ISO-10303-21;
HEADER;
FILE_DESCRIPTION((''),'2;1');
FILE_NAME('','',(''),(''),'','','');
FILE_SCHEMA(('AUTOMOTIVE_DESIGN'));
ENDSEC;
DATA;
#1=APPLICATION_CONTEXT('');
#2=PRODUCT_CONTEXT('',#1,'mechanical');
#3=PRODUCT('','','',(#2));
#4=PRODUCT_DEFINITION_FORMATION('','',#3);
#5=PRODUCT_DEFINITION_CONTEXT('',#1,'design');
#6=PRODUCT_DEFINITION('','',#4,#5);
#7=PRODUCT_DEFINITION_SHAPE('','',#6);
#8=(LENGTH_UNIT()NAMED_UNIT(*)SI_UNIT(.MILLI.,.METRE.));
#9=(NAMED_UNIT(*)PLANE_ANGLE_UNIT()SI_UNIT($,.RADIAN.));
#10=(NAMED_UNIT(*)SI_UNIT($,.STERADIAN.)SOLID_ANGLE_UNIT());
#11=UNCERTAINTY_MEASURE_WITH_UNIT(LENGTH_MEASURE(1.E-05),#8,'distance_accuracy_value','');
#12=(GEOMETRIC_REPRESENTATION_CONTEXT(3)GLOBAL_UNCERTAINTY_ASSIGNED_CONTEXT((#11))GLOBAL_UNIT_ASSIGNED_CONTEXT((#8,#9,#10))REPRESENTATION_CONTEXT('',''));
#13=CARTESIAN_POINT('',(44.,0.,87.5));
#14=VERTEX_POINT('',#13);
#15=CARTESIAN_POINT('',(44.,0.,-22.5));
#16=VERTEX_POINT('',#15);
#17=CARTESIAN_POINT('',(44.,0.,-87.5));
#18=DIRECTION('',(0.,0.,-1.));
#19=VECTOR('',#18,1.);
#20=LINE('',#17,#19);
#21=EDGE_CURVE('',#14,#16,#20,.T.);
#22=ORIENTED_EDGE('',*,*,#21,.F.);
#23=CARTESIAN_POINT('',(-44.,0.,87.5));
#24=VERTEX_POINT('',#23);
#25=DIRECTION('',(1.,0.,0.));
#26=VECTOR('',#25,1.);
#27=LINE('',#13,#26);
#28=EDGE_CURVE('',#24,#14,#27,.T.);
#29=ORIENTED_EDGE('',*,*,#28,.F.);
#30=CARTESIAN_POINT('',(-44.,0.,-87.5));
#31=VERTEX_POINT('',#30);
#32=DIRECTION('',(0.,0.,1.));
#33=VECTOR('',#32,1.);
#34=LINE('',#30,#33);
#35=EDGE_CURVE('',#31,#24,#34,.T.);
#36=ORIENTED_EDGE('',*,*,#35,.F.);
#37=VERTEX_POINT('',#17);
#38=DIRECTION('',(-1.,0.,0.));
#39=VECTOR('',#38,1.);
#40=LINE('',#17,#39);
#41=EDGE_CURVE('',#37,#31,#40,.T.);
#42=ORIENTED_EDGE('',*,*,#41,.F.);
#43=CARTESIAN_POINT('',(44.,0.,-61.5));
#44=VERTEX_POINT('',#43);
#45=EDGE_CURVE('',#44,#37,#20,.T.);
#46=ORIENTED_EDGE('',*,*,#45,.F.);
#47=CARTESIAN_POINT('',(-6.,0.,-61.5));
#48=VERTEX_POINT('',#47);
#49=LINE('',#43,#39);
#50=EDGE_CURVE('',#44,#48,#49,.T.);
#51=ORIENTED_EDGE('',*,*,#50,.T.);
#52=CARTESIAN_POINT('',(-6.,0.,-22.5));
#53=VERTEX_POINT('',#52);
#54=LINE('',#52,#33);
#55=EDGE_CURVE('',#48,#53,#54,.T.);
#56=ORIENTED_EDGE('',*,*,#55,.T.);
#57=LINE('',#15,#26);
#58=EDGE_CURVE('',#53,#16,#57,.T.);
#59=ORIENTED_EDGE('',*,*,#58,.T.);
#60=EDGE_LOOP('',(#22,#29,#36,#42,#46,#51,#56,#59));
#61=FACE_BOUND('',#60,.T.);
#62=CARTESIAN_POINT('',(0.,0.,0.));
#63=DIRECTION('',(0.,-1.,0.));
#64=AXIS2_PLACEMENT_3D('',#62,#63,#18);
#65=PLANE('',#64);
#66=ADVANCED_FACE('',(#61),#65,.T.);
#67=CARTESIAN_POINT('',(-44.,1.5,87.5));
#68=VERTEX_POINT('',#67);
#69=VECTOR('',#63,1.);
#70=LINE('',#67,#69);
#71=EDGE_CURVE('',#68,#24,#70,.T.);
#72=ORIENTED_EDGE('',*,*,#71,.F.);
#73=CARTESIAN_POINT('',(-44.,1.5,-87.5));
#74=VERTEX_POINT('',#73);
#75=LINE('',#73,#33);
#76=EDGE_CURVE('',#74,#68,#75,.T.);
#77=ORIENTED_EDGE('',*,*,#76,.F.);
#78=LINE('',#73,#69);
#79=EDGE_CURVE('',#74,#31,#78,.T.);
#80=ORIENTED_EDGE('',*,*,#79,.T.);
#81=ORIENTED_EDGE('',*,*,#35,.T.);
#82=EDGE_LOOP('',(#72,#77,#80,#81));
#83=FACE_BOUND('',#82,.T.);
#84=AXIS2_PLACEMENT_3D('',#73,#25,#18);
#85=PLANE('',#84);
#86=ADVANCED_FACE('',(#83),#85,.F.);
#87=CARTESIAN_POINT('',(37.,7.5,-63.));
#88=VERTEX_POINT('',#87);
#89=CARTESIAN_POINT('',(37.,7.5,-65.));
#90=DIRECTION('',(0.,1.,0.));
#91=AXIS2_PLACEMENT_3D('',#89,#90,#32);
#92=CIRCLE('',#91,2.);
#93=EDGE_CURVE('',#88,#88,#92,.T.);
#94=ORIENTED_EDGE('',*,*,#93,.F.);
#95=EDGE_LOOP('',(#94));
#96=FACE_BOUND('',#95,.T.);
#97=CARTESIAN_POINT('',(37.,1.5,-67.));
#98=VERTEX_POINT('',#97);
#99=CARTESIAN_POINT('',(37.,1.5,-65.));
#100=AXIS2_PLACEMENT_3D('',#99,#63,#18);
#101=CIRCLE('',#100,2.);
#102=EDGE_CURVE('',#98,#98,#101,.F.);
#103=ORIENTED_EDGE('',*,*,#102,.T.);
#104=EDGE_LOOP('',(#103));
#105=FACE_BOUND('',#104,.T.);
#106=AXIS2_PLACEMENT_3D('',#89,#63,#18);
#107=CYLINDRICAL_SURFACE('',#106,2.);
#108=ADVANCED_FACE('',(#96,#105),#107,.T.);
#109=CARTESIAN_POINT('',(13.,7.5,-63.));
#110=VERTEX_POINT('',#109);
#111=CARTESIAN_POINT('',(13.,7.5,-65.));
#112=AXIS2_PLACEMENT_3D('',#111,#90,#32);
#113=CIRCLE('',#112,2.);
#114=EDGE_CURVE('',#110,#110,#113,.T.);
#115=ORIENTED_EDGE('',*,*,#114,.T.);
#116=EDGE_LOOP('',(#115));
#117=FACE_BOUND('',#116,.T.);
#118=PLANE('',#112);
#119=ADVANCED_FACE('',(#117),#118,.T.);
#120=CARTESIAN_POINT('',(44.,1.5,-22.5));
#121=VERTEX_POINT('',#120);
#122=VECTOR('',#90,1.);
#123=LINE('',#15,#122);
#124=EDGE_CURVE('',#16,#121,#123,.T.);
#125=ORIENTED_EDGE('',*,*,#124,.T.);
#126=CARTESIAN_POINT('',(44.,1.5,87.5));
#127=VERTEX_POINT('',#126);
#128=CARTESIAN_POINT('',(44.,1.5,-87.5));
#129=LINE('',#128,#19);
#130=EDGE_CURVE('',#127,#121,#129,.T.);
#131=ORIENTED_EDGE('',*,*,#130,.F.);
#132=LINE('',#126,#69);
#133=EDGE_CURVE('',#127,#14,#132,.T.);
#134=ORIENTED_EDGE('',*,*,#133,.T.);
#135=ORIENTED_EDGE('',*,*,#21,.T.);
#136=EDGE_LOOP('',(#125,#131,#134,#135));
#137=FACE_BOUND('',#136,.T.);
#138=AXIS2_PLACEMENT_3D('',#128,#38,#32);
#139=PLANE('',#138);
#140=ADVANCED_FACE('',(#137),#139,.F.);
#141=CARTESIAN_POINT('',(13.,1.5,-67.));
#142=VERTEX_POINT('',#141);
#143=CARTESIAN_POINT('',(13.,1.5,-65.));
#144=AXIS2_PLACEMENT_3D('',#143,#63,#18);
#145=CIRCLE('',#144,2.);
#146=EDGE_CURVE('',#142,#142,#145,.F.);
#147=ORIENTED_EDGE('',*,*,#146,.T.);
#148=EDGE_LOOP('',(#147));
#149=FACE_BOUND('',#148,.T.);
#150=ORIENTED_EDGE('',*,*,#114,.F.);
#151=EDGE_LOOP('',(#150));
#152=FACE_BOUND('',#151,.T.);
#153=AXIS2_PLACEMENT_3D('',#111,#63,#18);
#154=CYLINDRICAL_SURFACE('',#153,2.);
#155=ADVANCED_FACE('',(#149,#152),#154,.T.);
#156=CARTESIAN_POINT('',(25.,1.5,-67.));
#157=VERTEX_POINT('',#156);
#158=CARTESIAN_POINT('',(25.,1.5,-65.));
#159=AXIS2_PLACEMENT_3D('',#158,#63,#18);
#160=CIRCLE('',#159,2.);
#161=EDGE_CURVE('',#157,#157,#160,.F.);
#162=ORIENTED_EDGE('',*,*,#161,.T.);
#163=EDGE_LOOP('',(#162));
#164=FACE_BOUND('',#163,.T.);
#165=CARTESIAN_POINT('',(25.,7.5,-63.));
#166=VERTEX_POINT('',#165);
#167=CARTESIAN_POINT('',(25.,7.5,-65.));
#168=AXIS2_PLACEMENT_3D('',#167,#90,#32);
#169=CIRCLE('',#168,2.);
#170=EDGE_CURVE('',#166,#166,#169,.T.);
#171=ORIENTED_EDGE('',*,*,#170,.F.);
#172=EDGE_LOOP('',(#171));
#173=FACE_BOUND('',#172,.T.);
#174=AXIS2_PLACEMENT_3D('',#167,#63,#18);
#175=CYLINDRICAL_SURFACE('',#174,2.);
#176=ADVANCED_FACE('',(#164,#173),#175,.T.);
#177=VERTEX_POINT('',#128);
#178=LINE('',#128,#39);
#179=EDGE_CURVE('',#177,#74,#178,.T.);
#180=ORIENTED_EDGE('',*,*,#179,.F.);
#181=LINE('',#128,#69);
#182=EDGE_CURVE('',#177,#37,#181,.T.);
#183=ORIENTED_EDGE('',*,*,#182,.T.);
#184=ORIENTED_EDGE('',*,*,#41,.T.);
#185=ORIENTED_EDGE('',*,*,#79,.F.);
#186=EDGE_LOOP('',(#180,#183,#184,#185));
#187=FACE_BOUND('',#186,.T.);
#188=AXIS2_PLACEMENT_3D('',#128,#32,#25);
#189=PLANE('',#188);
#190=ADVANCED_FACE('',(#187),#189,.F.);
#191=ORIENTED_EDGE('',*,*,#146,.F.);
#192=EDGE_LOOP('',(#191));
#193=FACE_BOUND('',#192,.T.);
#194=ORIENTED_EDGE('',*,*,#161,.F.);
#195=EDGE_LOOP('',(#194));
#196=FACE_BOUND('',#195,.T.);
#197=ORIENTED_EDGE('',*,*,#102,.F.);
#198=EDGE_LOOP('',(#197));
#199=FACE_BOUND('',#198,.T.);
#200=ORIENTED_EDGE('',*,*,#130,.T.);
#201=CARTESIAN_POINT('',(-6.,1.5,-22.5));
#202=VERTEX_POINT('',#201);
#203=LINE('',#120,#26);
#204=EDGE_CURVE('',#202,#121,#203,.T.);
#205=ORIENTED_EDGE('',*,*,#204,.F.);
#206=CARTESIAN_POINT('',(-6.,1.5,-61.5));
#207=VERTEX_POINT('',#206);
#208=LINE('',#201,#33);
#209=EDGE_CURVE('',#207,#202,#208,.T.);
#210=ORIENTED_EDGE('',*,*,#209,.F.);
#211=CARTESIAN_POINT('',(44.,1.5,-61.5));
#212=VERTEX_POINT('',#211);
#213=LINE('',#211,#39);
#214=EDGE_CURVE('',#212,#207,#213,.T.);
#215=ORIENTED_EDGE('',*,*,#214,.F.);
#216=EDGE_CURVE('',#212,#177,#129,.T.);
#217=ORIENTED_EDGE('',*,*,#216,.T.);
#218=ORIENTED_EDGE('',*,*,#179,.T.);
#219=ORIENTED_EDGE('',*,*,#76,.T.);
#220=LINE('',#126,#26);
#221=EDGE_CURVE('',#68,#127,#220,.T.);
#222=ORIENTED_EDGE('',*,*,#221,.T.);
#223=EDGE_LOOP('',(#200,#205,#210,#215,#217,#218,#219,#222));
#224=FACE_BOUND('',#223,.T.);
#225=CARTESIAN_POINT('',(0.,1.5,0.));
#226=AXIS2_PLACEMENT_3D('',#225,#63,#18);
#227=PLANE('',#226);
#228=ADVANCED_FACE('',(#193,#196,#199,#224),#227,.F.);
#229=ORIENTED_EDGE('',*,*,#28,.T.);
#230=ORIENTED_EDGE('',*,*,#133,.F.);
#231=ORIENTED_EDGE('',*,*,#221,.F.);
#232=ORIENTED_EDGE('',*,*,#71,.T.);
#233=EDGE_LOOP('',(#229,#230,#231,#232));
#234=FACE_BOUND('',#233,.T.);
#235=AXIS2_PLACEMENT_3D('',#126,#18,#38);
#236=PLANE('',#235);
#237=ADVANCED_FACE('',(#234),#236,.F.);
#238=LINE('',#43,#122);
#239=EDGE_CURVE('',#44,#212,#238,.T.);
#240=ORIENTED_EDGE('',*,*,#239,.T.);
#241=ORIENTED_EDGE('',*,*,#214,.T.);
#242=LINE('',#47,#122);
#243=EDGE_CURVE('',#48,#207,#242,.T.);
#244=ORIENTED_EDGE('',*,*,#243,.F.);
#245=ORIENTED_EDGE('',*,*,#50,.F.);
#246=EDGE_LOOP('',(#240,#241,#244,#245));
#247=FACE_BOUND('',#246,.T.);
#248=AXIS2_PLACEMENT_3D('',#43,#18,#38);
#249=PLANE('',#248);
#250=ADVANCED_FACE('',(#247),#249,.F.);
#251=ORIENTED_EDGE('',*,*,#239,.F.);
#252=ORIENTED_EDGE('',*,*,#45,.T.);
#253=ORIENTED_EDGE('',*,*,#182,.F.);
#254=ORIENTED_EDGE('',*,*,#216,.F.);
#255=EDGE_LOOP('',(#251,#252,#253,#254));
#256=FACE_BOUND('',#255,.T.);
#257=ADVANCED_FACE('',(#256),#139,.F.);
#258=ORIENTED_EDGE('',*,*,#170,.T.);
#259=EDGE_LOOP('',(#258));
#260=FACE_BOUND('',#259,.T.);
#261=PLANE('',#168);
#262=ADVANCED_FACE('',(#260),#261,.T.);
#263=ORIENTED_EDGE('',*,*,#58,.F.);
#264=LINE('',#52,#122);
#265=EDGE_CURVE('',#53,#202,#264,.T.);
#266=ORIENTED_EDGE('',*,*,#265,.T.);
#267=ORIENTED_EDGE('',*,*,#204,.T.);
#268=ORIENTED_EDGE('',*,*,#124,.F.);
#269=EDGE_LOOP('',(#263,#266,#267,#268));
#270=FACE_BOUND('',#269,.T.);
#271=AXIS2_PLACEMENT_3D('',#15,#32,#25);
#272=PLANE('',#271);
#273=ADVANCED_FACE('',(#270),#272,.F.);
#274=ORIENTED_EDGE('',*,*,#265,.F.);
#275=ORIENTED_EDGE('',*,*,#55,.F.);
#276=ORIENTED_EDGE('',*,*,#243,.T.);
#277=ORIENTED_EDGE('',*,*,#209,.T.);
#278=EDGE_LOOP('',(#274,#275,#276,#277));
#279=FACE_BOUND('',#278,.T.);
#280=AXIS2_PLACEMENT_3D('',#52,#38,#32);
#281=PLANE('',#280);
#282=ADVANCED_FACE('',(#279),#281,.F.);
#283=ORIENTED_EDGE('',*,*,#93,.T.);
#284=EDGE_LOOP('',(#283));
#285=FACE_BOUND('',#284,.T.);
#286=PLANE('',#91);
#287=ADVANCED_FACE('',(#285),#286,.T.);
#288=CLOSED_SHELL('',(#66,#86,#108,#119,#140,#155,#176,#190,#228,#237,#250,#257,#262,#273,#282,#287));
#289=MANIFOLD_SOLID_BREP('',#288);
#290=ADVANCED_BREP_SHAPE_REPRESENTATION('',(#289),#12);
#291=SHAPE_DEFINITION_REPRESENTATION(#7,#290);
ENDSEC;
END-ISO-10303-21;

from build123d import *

# Parameters (mm, degrees)
SKETCH1_W           = 88
SKETCH1_H           = 175
BOSS_EXTRUDE1_DEPTH = 1.5
SKETCH2_W           = 50
SKETCH2_H           = 39
CUT_EXTRUDE1_DEPTH  = 1.5
SKETCH3_R           = 2
BOSS_EXTRUDE2_DEPTH = 6


with BuildPart() as part:
    # Sketch1 → Boss-Extrude1 (new body)
    with BuildSketch(Plane(origin=(0, 0, 0), x_dir=(1, 0, 0), z_dir=(0, 1, 0))):
        Rectangle(SKETCH1_W, SKETCH1_H)
    extrude(amount=BOSS_EXTRUDE1_DEPTH)

    # Sketch2 → Cut-Extrude1 (cut)
    with BuildSketch(Plane(origin=(0, 1.5, 0), x_dir=(1, 0, 0), z_dir=(0, 1, 0))):
        with Locations((19, 42)):
            Rectangle(SKETCH2_W, SKETCH2_H)
    extrude(amount=-CUT_EXTRUDE1_DEPTH, mode=Mode.SUBTRACT)

    # Sketch3 → Boss-Extrude2 (add)
    with BuildSketch(Plane(origin=(0, 1.5, 0), x_dir=(1, 0, 0), z_dir=(0, 1, 0))):
        with Locations((37, 65)):
            Circle(SKETCH3_R)
        with Locations((25, 65)):
            Circle(SKETCH3_R)
        with Locations((13, 65)):
            Circle(SKETCH3_R)
    extrude(amount=BOSS_EXTRUDE2_DEPTH)


solid = part.part
